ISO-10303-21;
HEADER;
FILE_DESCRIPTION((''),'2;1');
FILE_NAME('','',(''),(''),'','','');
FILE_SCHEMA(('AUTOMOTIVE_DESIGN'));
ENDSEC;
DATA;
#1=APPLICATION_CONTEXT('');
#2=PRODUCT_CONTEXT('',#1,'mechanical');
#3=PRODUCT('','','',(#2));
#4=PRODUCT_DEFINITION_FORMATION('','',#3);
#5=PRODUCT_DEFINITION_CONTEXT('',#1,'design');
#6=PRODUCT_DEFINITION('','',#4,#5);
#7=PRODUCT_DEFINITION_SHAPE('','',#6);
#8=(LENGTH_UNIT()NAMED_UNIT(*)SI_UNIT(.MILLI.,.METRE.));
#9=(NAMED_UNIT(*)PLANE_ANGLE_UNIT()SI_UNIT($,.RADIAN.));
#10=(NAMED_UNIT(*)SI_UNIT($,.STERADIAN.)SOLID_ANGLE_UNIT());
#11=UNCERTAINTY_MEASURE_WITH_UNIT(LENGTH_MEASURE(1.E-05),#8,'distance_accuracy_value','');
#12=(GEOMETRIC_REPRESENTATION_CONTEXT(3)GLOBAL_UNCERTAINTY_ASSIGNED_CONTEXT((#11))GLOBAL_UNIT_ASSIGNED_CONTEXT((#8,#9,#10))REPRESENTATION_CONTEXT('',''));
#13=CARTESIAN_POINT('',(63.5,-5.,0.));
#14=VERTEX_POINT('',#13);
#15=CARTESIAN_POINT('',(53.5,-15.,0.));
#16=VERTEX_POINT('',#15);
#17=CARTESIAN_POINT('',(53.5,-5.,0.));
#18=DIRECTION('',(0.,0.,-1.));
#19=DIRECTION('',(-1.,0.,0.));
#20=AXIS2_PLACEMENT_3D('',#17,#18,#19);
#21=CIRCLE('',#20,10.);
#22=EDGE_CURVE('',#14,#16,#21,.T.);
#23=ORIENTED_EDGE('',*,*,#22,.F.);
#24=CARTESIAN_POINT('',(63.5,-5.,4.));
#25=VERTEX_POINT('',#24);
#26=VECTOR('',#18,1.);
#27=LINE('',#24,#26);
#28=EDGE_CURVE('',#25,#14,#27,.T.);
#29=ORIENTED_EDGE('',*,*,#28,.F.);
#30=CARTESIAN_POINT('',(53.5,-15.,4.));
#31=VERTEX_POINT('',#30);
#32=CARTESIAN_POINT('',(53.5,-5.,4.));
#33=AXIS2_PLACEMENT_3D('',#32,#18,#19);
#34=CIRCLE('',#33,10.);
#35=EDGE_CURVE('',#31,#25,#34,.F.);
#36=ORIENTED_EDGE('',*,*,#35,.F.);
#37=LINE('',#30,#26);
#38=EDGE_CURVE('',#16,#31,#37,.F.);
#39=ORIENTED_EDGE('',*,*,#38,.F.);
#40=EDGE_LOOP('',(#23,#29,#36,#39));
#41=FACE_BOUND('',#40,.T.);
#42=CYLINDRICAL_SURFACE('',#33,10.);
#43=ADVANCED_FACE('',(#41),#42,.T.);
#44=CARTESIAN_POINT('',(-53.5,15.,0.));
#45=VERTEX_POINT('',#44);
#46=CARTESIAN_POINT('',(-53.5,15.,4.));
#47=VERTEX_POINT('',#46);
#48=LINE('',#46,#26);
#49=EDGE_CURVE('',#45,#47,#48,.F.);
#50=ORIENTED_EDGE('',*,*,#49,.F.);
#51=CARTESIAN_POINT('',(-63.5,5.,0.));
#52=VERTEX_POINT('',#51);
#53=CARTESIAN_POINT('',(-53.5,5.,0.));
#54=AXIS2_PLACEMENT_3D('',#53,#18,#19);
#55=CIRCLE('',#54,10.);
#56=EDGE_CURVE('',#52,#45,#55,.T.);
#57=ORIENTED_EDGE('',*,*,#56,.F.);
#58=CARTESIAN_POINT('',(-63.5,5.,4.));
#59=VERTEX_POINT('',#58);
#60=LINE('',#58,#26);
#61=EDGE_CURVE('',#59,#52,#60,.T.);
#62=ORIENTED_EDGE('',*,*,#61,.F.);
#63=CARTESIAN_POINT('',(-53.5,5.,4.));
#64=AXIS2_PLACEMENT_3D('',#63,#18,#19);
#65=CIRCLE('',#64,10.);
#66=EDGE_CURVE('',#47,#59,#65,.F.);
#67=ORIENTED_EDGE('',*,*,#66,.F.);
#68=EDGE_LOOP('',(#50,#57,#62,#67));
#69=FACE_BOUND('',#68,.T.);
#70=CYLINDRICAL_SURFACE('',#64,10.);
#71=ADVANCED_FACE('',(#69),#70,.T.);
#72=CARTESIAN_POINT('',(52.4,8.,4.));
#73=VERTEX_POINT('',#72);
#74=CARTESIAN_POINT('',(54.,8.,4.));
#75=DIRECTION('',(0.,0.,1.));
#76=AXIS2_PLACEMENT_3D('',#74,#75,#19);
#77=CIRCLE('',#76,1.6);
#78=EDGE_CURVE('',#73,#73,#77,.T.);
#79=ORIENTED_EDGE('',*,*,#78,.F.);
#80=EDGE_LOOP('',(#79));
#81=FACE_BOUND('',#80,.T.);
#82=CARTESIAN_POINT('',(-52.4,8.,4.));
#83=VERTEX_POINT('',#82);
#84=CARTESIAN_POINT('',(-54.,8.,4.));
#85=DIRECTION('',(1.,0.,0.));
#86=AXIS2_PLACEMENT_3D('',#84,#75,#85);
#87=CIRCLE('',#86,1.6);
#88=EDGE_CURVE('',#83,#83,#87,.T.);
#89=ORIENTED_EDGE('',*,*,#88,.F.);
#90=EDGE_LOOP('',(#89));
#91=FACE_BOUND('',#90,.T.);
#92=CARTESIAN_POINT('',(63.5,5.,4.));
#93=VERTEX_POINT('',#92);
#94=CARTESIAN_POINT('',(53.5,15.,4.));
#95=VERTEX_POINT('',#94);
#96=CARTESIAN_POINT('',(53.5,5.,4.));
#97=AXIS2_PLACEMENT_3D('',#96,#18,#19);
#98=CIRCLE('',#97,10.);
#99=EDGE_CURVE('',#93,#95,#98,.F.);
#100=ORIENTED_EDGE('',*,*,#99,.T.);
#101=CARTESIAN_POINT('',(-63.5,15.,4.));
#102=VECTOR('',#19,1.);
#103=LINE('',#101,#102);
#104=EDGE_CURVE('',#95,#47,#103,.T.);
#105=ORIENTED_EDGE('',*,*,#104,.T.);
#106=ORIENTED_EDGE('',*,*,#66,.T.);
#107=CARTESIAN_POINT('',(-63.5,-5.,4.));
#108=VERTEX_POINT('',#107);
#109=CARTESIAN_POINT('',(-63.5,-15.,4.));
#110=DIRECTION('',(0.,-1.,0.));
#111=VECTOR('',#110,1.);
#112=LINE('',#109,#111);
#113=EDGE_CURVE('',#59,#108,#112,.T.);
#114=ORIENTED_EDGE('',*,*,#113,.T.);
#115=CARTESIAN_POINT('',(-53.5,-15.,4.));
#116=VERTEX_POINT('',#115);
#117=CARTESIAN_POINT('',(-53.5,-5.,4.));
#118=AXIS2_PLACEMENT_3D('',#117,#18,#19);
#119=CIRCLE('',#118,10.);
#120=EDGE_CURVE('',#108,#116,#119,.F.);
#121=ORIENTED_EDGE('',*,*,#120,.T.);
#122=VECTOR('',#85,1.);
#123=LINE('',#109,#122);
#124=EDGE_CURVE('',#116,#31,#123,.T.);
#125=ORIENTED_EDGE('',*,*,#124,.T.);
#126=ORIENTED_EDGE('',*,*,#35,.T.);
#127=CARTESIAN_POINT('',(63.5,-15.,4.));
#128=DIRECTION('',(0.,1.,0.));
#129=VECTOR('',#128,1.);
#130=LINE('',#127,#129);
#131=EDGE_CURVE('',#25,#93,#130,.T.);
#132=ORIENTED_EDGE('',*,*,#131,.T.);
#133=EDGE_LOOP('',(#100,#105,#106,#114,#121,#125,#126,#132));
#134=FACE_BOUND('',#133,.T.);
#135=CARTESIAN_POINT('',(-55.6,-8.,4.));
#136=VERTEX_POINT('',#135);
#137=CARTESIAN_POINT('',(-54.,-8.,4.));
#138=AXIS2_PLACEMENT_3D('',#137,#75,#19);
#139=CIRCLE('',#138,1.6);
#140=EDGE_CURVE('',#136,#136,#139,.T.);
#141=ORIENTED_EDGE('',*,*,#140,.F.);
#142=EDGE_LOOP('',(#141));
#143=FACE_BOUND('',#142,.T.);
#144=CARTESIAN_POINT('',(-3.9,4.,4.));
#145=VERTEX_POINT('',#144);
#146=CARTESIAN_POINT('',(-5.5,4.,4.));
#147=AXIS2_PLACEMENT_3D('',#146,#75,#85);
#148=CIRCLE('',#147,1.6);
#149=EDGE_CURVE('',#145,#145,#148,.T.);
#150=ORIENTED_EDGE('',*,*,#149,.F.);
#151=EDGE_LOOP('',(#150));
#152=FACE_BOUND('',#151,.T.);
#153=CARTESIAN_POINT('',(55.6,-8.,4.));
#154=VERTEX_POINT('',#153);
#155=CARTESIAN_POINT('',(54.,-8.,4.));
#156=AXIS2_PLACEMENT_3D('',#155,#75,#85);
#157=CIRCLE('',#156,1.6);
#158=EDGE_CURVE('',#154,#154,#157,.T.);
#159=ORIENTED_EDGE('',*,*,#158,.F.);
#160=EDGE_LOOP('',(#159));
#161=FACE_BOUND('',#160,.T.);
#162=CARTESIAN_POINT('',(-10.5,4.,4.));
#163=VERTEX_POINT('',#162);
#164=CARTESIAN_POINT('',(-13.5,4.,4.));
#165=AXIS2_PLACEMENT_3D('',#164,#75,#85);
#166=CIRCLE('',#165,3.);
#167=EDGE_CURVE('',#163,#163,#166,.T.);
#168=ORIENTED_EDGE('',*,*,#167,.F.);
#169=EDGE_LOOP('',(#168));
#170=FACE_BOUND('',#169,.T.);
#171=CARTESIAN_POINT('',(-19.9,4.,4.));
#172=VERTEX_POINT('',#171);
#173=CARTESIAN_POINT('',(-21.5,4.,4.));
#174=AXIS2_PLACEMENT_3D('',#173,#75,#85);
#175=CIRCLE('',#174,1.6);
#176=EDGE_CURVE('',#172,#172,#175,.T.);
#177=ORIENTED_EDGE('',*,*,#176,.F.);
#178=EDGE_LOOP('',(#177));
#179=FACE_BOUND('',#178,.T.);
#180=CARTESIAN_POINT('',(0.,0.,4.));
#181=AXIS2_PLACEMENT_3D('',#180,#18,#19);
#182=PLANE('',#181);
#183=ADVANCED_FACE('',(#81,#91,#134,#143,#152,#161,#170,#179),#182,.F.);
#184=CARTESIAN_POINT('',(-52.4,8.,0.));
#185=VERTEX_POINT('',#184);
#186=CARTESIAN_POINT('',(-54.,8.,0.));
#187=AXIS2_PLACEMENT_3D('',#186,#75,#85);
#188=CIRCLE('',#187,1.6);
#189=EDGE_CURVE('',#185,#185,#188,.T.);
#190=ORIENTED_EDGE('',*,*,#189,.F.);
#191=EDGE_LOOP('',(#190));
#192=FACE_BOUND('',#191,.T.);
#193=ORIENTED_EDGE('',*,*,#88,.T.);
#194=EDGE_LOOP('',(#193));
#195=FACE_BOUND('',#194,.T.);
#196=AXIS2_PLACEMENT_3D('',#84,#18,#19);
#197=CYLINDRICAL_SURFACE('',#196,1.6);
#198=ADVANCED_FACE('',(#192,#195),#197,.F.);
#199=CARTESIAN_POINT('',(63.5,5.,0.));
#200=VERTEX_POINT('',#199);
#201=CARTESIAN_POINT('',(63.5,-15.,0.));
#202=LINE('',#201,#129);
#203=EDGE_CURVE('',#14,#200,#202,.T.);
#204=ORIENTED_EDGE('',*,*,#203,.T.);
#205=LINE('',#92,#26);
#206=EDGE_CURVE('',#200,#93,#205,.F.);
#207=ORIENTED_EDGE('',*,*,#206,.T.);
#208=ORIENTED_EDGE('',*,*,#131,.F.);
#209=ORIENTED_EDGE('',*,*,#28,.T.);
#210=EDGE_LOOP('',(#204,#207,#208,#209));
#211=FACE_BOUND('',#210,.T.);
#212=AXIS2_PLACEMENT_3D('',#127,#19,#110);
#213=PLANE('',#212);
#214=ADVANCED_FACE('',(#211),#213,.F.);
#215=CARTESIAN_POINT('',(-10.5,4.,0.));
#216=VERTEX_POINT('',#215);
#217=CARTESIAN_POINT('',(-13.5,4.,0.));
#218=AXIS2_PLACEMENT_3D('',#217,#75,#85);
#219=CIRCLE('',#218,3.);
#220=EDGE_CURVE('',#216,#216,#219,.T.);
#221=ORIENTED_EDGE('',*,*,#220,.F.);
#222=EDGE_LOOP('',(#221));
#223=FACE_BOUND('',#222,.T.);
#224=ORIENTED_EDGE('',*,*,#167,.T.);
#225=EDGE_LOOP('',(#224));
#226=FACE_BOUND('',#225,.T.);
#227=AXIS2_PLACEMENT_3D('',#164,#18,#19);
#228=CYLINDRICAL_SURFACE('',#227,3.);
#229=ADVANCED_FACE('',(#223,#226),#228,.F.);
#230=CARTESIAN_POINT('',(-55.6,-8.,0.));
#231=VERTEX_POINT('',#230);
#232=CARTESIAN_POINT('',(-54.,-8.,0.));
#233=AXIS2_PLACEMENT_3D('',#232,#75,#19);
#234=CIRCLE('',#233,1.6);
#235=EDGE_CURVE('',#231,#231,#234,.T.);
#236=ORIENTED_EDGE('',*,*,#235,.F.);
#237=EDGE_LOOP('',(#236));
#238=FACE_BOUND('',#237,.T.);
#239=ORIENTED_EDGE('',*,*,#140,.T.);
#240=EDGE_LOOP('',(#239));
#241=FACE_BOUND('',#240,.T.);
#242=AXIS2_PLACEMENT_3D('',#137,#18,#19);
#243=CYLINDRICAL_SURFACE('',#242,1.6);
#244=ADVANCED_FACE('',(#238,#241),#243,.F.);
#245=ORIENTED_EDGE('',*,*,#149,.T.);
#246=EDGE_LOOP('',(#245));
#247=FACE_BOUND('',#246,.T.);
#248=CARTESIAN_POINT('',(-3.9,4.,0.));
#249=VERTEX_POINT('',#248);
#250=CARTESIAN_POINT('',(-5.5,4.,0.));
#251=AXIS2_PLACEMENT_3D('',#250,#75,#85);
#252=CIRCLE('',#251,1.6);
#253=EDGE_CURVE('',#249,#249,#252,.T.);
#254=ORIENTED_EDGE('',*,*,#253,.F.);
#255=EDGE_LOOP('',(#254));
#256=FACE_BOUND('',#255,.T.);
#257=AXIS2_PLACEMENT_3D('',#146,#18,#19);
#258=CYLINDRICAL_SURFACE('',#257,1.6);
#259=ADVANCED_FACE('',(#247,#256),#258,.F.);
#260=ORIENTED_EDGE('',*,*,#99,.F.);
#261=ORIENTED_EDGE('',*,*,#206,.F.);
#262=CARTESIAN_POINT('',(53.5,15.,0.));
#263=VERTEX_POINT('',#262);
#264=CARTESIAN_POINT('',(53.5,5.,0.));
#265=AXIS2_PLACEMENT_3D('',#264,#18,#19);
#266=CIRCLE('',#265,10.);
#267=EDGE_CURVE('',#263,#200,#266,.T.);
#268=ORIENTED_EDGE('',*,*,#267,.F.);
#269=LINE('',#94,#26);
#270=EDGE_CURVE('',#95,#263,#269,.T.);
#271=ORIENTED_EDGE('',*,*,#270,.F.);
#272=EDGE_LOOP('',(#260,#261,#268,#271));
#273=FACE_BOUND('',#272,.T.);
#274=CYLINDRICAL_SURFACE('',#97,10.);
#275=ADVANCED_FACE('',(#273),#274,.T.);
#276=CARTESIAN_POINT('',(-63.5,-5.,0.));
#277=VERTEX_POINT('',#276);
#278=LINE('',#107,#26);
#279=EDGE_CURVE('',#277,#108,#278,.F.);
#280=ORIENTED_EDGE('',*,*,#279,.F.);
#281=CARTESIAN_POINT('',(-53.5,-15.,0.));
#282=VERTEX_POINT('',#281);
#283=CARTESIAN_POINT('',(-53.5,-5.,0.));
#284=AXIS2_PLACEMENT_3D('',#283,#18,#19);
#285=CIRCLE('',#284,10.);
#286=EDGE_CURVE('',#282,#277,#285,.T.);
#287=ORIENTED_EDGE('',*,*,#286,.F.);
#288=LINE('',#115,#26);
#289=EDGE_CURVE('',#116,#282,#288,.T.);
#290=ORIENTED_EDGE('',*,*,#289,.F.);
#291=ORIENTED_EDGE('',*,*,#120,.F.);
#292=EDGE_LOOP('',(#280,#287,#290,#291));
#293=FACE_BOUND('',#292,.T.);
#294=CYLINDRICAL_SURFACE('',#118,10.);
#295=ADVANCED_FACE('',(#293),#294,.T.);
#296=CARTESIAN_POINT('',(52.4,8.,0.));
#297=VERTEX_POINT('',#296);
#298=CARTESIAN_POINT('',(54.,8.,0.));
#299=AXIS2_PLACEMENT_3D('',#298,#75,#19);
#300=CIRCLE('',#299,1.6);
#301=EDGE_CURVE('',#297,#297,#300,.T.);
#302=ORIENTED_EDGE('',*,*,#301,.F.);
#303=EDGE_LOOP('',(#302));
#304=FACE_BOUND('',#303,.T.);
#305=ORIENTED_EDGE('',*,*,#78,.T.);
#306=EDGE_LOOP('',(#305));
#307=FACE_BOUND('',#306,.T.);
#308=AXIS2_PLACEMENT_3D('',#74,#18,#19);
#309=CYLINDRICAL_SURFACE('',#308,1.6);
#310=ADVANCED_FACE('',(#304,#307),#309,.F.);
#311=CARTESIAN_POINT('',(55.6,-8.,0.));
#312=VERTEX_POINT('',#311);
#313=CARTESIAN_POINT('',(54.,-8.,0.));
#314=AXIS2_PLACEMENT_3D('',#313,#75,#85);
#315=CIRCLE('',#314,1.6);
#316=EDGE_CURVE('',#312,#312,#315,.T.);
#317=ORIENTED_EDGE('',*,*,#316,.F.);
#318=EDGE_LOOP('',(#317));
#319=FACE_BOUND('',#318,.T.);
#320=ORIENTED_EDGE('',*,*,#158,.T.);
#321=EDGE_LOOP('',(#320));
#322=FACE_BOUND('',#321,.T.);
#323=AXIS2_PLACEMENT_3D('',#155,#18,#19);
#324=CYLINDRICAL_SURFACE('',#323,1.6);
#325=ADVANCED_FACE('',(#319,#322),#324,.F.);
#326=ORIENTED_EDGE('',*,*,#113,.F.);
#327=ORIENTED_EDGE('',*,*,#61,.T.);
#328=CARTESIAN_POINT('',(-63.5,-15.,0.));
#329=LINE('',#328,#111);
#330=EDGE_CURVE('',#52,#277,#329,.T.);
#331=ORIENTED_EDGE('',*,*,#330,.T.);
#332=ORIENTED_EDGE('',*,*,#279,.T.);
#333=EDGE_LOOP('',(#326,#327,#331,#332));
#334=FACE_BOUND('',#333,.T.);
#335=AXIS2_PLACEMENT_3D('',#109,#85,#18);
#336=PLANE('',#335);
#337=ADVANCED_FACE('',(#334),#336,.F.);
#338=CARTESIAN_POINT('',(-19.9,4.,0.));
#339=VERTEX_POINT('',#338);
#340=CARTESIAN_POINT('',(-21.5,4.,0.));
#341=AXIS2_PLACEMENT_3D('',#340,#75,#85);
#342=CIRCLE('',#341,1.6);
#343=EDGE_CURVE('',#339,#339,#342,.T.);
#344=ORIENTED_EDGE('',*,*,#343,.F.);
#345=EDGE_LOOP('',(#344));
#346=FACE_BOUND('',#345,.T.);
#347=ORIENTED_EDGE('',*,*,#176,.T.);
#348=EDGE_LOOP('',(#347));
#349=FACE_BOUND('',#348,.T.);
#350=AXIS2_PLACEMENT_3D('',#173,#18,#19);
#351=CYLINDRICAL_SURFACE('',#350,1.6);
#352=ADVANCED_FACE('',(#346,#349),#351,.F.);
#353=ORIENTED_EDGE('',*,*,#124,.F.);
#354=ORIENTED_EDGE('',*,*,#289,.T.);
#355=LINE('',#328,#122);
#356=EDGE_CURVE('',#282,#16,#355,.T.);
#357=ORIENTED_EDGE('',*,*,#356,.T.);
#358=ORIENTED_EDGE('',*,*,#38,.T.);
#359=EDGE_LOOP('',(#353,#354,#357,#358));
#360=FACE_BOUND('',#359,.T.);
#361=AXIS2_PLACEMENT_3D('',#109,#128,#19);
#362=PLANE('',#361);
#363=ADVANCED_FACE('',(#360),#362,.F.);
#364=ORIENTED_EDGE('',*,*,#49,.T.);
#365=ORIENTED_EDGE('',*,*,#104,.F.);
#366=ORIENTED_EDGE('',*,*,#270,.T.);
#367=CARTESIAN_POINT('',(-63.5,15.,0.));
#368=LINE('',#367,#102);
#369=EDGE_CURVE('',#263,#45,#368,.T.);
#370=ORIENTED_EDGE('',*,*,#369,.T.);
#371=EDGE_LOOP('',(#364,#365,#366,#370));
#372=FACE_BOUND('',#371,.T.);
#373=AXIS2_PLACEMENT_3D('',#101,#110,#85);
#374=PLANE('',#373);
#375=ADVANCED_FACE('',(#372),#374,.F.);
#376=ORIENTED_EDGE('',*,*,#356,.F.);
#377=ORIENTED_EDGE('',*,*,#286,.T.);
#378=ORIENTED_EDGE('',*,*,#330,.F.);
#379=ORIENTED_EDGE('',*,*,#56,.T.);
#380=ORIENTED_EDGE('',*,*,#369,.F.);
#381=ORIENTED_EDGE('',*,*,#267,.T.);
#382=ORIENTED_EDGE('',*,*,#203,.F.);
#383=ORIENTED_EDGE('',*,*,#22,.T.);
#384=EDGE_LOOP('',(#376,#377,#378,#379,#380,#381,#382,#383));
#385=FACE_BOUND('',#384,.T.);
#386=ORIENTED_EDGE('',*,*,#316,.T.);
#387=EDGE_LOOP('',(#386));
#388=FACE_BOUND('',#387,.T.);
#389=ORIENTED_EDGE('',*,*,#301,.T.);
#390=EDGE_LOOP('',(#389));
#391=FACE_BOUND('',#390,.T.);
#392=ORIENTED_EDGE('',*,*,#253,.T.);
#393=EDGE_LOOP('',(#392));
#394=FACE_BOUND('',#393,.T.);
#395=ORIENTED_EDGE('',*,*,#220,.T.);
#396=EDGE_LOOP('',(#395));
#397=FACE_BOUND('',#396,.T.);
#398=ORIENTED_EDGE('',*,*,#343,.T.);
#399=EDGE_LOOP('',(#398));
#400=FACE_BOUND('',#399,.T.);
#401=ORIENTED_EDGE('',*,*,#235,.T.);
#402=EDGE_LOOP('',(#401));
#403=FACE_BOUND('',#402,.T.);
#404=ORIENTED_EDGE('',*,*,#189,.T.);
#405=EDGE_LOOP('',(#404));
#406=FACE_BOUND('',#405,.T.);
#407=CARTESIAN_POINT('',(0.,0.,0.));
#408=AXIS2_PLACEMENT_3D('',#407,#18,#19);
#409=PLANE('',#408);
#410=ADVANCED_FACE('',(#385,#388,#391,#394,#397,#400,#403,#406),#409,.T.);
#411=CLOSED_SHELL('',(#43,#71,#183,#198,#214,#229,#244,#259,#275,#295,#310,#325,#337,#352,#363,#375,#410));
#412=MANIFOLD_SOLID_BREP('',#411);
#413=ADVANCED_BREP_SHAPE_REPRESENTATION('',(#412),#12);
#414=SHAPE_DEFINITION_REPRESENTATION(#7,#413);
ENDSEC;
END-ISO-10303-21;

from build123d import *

# Parameters (mm, degrees)
ESBO_O1_W                = 127
ESBO_O1_H                = 30
ESBO_O1_R                = 3
ESBO_O1_R_2              = 1.6
RESSALTO_EXTRUS_O1_DEPTH = 4
FILETE1_R                = 10


with BuildPart() as part:
    # Esboço1 → Ressalto-extrusão1 (new body)
    with BuildSketch(Plane.XY):
        Rectangle(ESBO_O1_W, ESBO_O1_H)
        with Locations((-13.5, 4)):
            Circle(ESBO_O1_R, mode=Mode.SUBTRACT)
        with Locations((-5.5, 4)):
            Circle(ESBO_O1_R_2, mode=Mode.SUBTRACT)
        with Locations((-21.5, 4)):
            Circle(ESBO_O1_R_2, mode=Mode.SUBTRACT)
        with Locations((-54, 8)):
            Circle(ESBO_O1_R_2, mode=Mode.SUBTRACT)
        with Locations(Location((-54, -8, 0), (0, 0, 180))):
            Circle(ESBO_O1_R_2, mode=Mode.SUBTRACT)
        with Locations((54, -8)):
            Circle(ESBO_O1_R_2, mode=Mode.SUBTRACT)
        with Locations(Location((54, 8, 0), (0, 0, 180))):
            Circle(ESBO_O1_R_2, mode=Mode.SUBTRACT)
    extrude(amount=RESSALTO_EXTRUS_O1_DEPTH)

    # Filete1
    filete1_edges = [part.edges().sort_by_distance(p)[0] for p in [
        (63.5, -15, 2),
        (-63.5, -15, 2),
        (-63.5, 15, 2),
        (63.5, 15, 2),
    ]]
    fillet(filete1_edges, radius=FILETE1_R)


solid = part.part
